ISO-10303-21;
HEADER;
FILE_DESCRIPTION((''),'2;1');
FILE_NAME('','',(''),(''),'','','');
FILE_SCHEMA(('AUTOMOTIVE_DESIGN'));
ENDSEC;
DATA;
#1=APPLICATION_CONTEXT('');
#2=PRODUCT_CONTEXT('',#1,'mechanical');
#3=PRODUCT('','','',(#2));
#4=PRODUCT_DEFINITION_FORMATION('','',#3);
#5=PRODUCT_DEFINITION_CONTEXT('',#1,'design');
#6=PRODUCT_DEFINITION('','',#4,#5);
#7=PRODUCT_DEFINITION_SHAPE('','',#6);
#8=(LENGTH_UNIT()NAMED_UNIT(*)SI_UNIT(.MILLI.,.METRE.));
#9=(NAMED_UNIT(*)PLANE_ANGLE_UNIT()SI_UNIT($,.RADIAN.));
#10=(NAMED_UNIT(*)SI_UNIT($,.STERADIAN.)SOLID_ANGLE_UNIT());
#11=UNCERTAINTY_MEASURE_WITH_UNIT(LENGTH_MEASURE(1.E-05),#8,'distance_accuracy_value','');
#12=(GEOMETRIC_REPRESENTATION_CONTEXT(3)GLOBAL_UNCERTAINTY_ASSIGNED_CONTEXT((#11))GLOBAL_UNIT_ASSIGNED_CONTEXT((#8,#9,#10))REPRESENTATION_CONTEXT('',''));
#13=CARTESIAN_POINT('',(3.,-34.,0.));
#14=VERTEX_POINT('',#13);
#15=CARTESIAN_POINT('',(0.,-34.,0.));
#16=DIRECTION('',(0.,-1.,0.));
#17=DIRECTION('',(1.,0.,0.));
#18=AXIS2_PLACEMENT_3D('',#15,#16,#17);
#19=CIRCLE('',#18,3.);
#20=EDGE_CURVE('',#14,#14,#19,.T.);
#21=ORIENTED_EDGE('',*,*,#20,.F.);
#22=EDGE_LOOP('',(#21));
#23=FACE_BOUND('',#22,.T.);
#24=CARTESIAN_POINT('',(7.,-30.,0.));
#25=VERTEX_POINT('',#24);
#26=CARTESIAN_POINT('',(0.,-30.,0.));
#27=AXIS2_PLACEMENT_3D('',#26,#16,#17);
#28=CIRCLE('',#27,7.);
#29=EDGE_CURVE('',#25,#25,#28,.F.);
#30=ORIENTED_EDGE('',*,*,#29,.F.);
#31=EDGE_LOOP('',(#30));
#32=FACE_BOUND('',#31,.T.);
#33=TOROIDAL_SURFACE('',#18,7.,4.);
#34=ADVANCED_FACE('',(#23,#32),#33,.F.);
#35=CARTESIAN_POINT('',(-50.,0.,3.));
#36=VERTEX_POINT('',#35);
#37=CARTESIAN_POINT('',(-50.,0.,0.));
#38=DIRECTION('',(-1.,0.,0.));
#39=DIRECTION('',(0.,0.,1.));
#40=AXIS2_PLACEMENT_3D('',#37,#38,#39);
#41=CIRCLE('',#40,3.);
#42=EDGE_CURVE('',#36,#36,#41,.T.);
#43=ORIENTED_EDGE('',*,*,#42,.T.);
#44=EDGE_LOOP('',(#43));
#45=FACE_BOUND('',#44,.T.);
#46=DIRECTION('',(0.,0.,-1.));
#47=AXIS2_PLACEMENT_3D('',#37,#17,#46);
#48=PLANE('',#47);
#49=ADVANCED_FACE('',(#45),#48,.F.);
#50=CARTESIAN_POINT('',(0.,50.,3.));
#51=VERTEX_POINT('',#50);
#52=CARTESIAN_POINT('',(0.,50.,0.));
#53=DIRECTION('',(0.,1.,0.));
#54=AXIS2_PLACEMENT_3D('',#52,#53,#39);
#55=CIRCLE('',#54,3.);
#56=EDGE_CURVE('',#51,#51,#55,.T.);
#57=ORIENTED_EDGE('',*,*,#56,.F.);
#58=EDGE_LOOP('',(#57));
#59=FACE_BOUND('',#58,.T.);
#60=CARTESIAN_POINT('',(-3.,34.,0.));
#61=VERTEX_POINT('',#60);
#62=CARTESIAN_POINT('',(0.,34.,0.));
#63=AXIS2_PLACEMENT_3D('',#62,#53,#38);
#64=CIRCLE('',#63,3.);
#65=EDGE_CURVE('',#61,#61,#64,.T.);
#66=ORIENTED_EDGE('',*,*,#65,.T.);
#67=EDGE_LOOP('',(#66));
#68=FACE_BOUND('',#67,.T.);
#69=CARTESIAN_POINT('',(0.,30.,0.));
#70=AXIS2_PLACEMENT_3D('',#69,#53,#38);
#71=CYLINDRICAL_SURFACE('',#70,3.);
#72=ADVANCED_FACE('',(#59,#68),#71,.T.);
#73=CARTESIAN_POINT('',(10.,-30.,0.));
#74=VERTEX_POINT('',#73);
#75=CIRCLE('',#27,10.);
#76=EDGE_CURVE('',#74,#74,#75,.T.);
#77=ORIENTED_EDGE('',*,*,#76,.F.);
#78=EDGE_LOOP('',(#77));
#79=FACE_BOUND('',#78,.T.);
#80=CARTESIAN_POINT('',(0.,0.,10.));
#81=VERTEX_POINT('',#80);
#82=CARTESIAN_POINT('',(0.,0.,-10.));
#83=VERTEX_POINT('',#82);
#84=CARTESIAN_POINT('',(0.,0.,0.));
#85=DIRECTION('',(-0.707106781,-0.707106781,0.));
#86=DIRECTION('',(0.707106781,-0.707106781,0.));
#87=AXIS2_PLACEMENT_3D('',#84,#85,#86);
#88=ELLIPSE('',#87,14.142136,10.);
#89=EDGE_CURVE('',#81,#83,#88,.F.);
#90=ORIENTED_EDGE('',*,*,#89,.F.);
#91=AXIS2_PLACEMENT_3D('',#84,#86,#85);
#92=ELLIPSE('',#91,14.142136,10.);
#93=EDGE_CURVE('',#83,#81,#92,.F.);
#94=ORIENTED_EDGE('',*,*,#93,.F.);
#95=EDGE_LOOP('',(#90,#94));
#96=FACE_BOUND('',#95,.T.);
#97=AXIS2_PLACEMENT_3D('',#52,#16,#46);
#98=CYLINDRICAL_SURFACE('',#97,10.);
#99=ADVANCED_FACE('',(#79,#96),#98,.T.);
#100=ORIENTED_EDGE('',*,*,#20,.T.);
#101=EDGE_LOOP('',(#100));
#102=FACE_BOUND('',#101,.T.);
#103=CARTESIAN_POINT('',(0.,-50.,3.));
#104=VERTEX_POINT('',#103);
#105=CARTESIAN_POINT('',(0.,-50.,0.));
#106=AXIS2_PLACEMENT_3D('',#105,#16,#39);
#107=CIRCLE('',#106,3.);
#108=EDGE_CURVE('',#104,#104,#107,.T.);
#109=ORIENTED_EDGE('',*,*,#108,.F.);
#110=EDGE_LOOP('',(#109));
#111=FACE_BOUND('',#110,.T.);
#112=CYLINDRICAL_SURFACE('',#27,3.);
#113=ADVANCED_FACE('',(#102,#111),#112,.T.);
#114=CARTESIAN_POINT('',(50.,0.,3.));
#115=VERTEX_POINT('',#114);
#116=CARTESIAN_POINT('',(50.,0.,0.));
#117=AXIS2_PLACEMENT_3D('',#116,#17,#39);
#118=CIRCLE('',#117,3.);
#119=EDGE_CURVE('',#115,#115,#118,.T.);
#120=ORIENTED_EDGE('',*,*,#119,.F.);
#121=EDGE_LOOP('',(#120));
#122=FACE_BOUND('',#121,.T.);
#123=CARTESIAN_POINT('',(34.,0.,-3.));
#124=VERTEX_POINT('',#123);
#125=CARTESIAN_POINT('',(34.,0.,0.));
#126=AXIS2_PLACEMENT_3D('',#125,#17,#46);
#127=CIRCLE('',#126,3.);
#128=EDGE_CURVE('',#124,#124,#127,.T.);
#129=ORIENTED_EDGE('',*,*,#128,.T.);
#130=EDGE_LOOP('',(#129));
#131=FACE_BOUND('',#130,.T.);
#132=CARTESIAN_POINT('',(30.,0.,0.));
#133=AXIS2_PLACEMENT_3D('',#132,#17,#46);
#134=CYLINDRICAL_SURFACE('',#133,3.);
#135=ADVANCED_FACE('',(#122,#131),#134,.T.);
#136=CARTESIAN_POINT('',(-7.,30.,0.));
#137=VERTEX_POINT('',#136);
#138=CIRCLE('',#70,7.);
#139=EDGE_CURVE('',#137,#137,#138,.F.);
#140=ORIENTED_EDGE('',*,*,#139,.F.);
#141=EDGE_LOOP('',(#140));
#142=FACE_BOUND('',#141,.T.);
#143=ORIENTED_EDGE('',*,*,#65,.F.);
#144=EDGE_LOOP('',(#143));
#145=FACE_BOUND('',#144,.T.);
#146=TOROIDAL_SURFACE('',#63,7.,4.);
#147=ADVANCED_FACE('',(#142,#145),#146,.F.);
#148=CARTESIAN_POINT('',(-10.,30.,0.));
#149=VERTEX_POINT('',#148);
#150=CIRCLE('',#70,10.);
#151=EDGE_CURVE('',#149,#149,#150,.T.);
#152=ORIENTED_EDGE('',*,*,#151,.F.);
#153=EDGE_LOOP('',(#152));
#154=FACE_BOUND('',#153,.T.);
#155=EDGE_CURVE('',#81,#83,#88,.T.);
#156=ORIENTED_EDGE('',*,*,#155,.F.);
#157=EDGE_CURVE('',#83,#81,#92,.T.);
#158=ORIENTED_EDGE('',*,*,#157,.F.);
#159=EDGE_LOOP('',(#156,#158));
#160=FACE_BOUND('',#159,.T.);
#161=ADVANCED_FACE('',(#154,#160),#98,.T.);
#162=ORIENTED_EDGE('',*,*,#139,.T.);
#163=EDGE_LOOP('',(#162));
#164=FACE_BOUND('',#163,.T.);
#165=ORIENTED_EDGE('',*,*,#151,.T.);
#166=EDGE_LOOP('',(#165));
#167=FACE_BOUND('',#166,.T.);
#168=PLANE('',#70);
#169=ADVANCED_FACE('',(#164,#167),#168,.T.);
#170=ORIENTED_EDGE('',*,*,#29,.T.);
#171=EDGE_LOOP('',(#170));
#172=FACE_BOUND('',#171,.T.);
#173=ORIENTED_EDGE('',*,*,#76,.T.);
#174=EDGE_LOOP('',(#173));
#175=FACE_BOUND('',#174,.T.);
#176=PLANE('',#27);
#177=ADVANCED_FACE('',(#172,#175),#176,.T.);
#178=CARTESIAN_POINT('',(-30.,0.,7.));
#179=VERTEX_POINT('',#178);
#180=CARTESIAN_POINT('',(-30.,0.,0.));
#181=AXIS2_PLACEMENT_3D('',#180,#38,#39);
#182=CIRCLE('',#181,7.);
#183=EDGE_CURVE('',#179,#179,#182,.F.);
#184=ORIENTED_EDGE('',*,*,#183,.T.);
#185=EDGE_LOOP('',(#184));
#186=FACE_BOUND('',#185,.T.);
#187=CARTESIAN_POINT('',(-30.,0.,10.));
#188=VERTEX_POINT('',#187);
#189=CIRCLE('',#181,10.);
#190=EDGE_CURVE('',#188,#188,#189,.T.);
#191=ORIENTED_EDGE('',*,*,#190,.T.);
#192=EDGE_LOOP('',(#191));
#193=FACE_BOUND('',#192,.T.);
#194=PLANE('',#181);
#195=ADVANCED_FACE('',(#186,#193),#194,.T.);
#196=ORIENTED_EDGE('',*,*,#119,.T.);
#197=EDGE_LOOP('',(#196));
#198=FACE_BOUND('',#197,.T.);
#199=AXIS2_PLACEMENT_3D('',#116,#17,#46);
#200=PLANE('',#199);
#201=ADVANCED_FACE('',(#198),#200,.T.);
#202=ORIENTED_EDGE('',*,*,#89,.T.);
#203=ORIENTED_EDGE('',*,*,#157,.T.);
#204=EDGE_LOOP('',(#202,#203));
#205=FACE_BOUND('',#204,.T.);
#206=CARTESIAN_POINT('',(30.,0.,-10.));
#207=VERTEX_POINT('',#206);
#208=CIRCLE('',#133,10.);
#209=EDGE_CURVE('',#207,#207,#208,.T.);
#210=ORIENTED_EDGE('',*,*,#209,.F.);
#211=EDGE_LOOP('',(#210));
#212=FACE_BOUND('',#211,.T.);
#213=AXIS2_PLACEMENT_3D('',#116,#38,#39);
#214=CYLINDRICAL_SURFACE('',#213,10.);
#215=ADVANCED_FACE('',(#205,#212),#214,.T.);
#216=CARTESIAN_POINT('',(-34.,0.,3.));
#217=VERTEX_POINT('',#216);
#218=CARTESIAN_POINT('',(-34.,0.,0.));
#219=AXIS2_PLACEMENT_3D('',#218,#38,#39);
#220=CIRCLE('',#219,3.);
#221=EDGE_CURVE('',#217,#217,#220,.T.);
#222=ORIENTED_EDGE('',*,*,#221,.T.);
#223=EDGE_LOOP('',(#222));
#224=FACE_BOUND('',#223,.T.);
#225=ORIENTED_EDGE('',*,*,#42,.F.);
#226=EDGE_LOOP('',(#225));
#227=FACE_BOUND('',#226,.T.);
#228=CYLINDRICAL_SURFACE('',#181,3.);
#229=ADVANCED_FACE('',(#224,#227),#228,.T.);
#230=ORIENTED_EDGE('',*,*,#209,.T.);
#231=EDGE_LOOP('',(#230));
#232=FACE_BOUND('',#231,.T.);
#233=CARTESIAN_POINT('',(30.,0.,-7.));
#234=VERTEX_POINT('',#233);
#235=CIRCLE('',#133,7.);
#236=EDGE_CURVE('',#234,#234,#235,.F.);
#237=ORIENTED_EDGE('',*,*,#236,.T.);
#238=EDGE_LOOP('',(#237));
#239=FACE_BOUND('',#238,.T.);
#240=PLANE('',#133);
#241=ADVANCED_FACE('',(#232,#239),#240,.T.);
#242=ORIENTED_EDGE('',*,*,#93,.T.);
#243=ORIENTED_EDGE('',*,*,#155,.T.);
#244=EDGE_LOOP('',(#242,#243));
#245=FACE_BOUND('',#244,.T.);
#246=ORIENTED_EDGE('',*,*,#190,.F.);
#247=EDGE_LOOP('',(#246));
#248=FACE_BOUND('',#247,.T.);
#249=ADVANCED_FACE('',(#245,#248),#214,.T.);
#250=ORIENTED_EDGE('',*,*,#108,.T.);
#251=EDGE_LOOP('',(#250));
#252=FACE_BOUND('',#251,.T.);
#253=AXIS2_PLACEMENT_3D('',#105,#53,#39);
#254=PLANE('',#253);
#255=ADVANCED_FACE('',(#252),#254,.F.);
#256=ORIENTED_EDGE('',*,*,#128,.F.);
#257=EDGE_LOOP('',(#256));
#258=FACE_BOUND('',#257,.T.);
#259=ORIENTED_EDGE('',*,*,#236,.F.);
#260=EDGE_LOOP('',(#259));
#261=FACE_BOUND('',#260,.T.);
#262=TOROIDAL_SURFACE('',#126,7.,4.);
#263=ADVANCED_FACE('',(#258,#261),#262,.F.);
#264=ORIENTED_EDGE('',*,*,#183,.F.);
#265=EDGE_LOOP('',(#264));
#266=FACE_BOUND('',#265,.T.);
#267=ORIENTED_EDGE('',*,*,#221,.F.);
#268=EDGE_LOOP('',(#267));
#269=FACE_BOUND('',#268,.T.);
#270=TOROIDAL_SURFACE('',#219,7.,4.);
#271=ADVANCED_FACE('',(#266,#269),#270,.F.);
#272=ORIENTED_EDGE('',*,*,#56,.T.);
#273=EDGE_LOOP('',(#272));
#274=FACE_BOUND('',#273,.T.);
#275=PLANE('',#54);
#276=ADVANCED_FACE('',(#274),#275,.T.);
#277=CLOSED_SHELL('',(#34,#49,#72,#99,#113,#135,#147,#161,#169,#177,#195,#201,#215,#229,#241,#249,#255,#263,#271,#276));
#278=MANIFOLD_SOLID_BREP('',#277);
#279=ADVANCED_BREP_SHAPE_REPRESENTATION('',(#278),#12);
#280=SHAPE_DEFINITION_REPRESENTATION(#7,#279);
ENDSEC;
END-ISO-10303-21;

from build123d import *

# Parameters (mm, degrees)
SKETCH_1_R                       = 10
EXTRUDE_1_DEPTH                  = 50
SKETCH_2_R                       = 10
EXTRUDE_2_DEPTH                  = 50
SKETCH_3_OUTSIDE_W               = 50.566
SKETCH_3_OUTSIDE_H               = 130.566
SKETCH_3_OUTSIDE_R               = 3
CUT_EXTRUDE_1_DEPTH              = 20
FILLET_2_R                       = 4
PATTERN_CIRCULAR_1_COUNT         = 4
FILLET_2_OF_PATTERN_CIRCULAR_1_R = 4


with BuildPart() as part:
    # 草图1 → 凸台-拉伸1 (new, symmetric)
    with BuildSketch(Plane(origin=(0, 0, 0), x_dir=(1, 0, 0), z_dir=(0, 1, 0))):
        Circle(SKETCH_1_R)
    extrude(amount=EXTRUDE_1_DEPTH, both=True)

    # 草图2 → 凸台-拉伸2 (add, symmetric)
    with BuildSketch(Plane(origin=(0, 0, 0), x_dir=(0, 0, -1), z_dir=(1, 0, 0))):
        Circle(SKETCH_2_R)
    extrude(amount=EXTRUDE_2_DEPTH, both=True)

    # 草图3 outside → 切除-拉伸1 (cut)
    with BuildSketch(Plane.ZY.offset(50)):
        Rectangle(SKETCH_3_OUTSIDE_W, SKETCH_3_OUTSIDE_H)
        Circle(SKETCH_3_OUTSIDE_R, mode=Mode.SUBTRACT)
    cut_extrude_1 = extrude(amount=-CUT_EXTRUDE_1_DEPTH, mode=Mode.SUBTRACT)

    # 圆角2
    fillet_2_edges = [part.edges().sort_by_distance(p)[0] for p in [
        (-30, 0, -3),
    ]]
    fillet(fillet_2_edges, radius=FILLET_2_R)

    # 阵列(圆周)1: 切除-拉伸1 ×4 about axis
    pattern_circular_1_axis = Axis((0, 0, 11), (0, 0, -1))
    for i in range(1, PATTERN_CIRCULAR_1_COUNT):
        add(cut_extrude_1.rotate(pattern_circular_1_axis, i * 360 / PATTERN_CIRCULAR_1_COUNT), mode=Mode.SUBTRACT)

    # 圆角2 of 阵列(圆周)1
    fillet_2_of_pattern_circular_1_edges = [part.edges().sort_by_distance(p)[0] for p in [
        (0, 30, -3),
        (30, 0, -3),
        (0, -30, -3),
    ]]
    fillet(fillet_2_of_pattern_circular_1_edges, radius=FILLET_2_OF_PATTERN_CIRCULAR_1_R)


solid = part.part
